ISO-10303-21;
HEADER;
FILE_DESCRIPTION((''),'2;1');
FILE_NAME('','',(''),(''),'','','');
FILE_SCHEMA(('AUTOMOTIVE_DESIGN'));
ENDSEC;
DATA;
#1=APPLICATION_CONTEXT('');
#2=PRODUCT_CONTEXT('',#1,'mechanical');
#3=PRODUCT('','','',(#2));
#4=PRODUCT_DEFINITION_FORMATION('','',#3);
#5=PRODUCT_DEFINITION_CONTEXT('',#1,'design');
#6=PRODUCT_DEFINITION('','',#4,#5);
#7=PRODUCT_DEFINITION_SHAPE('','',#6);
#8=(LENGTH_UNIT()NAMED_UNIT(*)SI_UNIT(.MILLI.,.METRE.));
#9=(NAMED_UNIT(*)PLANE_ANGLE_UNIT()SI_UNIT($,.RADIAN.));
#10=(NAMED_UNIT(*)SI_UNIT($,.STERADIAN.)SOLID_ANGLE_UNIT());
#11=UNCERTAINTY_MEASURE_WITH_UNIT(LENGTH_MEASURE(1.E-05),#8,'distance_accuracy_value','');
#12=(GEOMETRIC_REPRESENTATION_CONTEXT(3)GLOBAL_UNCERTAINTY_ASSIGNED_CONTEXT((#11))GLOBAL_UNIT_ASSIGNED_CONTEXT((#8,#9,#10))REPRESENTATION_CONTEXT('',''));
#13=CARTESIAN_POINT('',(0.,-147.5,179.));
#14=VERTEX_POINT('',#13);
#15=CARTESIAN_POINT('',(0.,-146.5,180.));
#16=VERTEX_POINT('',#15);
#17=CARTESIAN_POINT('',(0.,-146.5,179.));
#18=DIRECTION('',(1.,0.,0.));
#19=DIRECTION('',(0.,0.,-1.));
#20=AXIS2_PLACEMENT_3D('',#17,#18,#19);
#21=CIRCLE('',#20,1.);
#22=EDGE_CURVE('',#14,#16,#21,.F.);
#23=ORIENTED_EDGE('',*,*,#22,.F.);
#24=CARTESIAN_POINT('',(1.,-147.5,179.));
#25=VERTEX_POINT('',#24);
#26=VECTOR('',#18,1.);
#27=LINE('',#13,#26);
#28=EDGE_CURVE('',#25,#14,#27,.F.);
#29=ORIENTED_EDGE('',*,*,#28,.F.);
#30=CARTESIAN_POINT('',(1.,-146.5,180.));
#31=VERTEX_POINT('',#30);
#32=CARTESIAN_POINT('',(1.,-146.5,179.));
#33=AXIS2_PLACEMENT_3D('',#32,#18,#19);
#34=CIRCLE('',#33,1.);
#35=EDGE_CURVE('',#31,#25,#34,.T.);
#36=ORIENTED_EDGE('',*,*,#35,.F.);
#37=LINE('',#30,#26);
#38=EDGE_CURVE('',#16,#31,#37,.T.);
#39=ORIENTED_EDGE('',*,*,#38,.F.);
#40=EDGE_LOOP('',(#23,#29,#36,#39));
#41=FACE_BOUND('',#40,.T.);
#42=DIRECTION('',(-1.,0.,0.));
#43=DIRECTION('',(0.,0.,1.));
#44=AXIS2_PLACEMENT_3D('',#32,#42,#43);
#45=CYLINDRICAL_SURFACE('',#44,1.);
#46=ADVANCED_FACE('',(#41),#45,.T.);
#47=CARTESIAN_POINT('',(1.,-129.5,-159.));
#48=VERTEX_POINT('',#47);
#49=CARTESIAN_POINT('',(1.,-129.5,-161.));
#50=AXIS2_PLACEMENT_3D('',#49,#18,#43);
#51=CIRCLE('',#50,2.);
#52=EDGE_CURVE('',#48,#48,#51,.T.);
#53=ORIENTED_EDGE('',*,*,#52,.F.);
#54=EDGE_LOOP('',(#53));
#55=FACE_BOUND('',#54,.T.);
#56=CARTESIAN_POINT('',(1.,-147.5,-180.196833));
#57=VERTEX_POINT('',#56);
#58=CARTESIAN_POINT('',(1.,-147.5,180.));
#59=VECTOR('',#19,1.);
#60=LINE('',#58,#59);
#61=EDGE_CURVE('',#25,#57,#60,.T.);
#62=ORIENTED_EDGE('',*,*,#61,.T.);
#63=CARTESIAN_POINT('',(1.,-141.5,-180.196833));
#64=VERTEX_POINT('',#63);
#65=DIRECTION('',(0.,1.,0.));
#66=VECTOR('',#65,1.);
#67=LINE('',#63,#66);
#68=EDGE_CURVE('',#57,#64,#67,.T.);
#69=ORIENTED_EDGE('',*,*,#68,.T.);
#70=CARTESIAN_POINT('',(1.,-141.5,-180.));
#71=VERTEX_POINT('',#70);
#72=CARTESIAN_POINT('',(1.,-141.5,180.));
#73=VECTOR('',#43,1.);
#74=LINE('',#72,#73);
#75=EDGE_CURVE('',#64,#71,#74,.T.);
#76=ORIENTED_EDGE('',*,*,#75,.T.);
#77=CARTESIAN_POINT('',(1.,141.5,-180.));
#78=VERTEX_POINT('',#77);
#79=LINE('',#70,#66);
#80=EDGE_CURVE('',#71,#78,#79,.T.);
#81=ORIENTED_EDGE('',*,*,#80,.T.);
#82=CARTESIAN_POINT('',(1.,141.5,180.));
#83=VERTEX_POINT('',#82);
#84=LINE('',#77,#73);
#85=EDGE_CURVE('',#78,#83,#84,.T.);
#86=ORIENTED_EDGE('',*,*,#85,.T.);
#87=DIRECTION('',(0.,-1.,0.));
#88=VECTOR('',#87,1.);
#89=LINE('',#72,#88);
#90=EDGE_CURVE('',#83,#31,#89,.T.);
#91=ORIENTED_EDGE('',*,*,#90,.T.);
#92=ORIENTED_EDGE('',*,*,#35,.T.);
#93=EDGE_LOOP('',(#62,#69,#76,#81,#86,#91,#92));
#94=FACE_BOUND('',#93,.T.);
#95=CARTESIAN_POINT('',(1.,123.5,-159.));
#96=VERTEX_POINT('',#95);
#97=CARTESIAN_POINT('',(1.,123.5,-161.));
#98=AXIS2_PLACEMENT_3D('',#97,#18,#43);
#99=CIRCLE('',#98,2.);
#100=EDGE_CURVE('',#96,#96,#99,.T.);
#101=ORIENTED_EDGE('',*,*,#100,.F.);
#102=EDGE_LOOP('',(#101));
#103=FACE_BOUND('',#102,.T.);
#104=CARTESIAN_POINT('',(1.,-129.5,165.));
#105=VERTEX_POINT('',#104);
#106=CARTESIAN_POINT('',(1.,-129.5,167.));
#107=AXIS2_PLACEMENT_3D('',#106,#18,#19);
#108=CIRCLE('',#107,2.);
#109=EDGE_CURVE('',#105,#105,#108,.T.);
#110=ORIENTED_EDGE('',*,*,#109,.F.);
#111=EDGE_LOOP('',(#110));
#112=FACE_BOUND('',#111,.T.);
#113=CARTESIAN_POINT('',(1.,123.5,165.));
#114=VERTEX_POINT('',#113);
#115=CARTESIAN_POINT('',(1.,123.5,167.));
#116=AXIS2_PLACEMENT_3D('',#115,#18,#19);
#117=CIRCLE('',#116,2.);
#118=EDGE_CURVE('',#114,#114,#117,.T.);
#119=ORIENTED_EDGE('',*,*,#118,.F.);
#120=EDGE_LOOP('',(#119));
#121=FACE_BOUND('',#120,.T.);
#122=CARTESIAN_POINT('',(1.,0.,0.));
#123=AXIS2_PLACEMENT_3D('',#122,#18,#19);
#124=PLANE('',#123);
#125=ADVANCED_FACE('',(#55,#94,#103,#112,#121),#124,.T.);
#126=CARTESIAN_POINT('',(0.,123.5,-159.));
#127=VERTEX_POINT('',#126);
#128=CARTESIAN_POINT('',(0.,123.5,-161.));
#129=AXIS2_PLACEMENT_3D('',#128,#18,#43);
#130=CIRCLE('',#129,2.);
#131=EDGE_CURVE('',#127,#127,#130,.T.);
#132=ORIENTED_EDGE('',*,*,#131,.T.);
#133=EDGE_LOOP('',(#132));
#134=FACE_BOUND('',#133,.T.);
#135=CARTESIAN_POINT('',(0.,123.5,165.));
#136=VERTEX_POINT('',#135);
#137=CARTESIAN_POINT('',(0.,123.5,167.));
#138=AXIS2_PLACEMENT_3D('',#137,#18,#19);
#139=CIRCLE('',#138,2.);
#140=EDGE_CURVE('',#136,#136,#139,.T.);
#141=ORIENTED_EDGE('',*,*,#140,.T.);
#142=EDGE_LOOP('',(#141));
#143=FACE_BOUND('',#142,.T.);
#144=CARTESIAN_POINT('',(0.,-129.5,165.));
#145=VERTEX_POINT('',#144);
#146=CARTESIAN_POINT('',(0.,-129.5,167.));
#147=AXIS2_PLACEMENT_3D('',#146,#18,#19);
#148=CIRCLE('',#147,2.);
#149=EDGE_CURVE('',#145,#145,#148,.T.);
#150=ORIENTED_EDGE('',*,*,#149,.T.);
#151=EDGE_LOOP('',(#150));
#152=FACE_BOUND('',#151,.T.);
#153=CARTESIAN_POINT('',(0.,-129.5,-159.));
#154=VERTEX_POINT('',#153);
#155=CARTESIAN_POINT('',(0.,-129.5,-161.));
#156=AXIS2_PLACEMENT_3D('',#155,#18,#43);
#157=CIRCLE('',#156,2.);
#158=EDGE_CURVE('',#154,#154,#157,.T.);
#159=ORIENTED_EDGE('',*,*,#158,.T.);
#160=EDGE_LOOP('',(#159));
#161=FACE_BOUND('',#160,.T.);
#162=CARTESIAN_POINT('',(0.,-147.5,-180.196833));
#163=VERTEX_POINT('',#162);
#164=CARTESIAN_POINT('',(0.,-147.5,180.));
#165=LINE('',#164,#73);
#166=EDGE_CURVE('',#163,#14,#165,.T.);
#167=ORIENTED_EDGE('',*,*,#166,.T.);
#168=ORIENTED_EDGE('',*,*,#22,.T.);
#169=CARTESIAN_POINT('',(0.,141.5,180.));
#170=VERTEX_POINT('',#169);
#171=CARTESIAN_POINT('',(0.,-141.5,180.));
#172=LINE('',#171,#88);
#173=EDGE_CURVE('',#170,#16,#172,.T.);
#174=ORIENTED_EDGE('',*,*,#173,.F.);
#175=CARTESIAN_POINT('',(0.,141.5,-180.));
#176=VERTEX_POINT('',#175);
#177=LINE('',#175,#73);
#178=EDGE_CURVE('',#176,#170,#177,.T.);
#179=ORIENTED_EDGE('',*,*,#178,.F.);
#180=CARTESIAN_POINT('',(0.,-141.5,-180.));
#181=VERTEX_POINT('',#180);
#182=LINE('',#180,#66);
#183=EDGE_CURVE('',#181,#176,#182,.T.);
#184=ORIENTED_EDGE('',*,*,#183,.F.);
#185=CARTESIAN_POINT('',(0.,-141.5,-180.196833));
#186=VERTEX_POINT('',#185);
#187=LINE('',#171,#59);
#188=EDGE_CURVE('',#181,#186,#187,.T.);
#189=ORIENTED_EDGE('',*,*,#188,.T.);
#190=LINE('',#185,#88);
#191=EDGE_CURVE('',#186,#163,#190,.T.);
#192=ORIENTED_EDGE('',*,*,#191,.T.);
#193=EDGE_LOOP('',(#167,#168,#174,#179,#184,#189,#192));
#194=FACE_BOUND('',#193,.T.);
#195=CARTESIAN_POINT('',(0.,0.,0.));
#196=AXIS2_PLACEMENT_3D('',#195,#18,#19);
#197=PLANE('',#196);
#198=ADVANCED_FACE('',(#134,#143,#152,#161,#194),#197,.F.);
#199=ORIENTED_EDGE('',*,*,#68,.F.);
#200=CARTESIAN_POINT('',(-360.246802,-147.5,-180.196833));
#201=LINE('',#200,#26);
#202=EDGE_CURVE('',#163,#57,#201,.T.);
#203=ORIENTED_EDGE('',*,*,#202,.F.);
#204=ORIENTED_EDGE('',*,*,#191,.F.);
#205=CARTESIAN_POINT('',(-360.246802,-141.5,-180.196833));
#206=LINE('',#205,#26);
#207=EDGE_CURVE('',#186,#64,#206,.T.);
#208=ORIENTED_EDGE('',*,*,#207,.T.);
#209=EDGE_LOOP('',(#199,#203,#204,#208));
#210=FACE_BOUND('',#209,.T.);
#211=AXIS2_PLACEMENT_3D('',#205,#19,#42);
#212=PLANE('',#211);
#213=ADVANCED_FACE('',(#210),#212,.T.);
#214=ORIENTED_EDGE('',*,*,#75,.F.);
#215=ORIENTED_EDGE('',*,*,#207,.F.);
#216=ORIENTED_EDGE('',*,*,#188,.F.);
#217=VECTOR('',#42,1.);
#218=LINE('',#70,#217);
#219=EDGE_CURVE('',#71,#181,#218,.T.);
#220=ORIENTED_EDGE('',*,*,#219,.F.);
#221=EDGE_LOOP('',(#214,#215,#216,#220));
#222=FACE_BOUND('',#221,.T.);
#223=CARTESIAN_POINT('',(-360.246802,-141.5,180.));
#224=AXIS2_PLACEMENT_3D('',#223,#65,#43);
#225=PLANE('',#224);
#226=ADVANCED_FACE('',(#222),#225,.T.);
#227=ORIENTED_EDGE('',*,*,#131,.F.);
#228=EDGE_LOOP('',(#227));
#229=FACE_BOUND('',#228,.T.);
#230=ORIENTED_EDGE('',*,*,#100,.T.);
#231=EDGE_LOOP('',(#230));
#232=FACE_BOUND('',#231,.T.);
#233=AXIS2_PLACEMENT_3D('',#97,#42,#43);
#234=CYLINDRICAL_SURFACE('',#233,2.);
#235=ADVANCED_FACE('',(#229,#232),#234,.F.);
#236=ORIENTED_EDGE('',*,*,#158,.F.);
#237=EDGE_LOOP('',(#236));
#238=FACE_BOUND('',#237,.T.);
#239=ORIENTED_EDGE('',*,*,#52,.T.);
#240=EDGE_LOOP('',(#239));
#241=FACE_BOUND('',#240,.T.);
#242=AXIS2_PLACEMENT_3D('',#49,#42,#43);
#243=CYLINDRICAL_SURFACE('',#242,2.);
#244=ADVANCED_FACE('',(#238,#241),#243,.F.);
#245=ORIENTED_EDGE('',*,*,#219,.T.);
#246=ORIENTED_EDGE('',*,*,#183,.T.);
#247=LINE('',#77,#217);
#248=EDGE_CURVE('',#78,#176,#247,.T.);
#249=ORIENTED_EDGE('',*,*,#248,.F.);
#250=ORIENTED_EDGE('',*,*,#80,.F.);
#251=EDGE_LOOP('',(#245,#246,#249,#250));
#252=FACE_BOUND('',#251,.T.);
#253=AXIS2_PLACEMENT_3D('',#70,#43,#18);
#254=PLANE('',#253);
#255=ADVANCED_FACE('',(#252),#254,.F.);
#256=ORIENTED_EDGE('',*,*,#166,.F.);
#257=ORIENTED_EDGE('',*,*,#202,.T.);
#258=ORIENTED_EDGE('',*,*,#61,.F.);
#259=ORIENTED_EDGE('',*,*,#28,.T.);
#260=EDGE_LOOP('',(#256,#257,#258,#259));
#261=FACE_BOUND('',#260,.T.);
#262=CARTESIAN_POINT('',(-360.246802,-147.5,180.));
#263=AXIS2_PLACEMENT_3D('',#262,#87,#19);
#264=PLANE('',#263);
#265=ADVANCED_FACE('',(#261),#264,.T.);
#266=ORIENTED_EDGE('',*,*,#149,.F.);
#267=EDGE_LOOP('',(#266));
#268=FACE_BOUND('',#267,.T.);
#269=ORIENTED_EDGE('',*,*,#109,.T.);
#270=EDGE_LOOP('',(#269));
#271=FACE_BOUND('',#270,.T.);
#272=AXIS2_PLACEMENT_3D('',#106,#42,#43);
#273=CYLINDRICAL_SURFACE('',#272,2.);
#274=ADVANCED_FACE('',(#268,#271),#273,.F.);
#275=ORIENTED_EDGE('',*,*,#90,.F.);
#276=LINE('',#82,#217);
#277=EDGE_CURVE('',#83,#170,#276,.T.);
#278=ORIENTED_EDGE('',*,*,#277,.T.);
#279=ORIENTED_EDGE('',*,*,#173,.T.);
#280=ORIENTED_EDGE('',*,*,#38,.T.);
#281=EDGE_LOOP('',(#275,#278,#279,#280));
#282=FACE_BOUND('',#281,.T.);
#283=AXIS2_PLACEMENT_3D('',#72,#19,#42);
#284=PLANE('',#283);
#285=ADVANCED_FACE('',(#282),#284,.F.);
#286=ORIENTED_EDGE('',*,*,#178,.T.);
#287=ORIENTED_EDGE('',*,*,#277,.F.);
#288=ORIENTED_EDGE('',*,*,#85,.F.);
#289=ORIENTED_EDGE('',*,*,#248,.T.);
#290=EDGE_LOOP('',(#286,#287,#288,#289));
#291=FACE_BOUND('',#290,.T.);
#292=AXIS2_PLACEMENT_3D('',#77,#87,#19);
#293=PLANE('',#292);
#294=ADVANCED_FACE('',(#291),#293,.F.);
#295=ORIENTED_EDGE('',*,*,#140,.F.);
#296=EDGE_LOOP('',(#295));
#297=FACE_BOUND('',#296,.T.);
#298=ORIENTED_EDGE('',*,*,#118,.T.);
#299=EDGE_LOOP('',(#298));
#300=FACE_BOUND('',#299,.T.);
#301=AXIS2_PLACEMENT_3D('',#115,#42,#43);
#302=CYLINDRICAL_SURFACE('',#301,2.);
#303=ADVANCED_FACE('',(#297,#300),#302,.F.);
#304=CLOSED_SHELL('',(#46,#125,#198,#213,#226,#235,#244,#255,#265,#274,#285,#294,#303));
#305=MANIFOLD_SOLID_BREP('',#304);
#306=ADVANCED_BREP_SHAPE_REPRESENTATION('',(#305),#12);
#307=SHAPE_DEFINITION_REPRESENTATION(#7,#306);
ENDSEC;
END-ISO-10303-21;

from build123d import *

# Parameters (mm, degrees)
SKETCH1_W           = 360
SKETCH1_H           = 283
SKETCH1_R           = 2
BOSS_EXTRUDE1_DEPTH = 1
SKETCH3_W           = 360.196832798
SKETCH3_H           = 6
BOSS_EXTRUDE2_DEPTH = 1
FILLET1_R           = 1


with BuildPart() as part:
    # Sketch1 → Boss-Extrude1 (new body)
    with BuildSketch(Plane(origin=(0, 0, 0), x_dir=(0, 0, -1), z_dir=(1, 0, 0))):
        Rectangle(SKETCH1_W, SKETCH1_H)
        with Locations((-167, 123.5)):
            Circle(SKETCH1_R, mode=Mode.SUBTRACT)
        with Locations((-167, -129.5)):
            Circle(SKETCH1_R, mode=Mode.SUBTRACT)
        with Locations(Location((161, 123.5, 0), (0, 0, 180))):
            Circle(SKETCH1_R, mode=Mode.SUBTRACT)
        with Locations(Location((161, -129.5, 0), (0, 0, 180))):
            Circle(SKETCH1_R, mode=Mode.SUBTRACT)
    extrude(amount=BOSS_EXTRUDE1_DEPTH)

    # Sketch3 → Boss-Extrude2 (add)
    with BuildSketch(Plane(origin=(1, 0, 0), x_dir=(0, 0, -1), z_dir=(1, 0, 0))):
        with Locations((0.098416399, -144.5)):
            Rectangle(SKETCH3_W, SKETCH3_H)
    extrude(amount=-BOSS_EXTRUDE2_DEPTH)

    # Fillet1
    fillet1_edges = [part.edges().sort_by_distance(p)[0] for p in [
        (0.5, -147.5, 180),
    ]]
    fillet(fillet1_edges, radius=FILLET1_R)


solid = part.part
